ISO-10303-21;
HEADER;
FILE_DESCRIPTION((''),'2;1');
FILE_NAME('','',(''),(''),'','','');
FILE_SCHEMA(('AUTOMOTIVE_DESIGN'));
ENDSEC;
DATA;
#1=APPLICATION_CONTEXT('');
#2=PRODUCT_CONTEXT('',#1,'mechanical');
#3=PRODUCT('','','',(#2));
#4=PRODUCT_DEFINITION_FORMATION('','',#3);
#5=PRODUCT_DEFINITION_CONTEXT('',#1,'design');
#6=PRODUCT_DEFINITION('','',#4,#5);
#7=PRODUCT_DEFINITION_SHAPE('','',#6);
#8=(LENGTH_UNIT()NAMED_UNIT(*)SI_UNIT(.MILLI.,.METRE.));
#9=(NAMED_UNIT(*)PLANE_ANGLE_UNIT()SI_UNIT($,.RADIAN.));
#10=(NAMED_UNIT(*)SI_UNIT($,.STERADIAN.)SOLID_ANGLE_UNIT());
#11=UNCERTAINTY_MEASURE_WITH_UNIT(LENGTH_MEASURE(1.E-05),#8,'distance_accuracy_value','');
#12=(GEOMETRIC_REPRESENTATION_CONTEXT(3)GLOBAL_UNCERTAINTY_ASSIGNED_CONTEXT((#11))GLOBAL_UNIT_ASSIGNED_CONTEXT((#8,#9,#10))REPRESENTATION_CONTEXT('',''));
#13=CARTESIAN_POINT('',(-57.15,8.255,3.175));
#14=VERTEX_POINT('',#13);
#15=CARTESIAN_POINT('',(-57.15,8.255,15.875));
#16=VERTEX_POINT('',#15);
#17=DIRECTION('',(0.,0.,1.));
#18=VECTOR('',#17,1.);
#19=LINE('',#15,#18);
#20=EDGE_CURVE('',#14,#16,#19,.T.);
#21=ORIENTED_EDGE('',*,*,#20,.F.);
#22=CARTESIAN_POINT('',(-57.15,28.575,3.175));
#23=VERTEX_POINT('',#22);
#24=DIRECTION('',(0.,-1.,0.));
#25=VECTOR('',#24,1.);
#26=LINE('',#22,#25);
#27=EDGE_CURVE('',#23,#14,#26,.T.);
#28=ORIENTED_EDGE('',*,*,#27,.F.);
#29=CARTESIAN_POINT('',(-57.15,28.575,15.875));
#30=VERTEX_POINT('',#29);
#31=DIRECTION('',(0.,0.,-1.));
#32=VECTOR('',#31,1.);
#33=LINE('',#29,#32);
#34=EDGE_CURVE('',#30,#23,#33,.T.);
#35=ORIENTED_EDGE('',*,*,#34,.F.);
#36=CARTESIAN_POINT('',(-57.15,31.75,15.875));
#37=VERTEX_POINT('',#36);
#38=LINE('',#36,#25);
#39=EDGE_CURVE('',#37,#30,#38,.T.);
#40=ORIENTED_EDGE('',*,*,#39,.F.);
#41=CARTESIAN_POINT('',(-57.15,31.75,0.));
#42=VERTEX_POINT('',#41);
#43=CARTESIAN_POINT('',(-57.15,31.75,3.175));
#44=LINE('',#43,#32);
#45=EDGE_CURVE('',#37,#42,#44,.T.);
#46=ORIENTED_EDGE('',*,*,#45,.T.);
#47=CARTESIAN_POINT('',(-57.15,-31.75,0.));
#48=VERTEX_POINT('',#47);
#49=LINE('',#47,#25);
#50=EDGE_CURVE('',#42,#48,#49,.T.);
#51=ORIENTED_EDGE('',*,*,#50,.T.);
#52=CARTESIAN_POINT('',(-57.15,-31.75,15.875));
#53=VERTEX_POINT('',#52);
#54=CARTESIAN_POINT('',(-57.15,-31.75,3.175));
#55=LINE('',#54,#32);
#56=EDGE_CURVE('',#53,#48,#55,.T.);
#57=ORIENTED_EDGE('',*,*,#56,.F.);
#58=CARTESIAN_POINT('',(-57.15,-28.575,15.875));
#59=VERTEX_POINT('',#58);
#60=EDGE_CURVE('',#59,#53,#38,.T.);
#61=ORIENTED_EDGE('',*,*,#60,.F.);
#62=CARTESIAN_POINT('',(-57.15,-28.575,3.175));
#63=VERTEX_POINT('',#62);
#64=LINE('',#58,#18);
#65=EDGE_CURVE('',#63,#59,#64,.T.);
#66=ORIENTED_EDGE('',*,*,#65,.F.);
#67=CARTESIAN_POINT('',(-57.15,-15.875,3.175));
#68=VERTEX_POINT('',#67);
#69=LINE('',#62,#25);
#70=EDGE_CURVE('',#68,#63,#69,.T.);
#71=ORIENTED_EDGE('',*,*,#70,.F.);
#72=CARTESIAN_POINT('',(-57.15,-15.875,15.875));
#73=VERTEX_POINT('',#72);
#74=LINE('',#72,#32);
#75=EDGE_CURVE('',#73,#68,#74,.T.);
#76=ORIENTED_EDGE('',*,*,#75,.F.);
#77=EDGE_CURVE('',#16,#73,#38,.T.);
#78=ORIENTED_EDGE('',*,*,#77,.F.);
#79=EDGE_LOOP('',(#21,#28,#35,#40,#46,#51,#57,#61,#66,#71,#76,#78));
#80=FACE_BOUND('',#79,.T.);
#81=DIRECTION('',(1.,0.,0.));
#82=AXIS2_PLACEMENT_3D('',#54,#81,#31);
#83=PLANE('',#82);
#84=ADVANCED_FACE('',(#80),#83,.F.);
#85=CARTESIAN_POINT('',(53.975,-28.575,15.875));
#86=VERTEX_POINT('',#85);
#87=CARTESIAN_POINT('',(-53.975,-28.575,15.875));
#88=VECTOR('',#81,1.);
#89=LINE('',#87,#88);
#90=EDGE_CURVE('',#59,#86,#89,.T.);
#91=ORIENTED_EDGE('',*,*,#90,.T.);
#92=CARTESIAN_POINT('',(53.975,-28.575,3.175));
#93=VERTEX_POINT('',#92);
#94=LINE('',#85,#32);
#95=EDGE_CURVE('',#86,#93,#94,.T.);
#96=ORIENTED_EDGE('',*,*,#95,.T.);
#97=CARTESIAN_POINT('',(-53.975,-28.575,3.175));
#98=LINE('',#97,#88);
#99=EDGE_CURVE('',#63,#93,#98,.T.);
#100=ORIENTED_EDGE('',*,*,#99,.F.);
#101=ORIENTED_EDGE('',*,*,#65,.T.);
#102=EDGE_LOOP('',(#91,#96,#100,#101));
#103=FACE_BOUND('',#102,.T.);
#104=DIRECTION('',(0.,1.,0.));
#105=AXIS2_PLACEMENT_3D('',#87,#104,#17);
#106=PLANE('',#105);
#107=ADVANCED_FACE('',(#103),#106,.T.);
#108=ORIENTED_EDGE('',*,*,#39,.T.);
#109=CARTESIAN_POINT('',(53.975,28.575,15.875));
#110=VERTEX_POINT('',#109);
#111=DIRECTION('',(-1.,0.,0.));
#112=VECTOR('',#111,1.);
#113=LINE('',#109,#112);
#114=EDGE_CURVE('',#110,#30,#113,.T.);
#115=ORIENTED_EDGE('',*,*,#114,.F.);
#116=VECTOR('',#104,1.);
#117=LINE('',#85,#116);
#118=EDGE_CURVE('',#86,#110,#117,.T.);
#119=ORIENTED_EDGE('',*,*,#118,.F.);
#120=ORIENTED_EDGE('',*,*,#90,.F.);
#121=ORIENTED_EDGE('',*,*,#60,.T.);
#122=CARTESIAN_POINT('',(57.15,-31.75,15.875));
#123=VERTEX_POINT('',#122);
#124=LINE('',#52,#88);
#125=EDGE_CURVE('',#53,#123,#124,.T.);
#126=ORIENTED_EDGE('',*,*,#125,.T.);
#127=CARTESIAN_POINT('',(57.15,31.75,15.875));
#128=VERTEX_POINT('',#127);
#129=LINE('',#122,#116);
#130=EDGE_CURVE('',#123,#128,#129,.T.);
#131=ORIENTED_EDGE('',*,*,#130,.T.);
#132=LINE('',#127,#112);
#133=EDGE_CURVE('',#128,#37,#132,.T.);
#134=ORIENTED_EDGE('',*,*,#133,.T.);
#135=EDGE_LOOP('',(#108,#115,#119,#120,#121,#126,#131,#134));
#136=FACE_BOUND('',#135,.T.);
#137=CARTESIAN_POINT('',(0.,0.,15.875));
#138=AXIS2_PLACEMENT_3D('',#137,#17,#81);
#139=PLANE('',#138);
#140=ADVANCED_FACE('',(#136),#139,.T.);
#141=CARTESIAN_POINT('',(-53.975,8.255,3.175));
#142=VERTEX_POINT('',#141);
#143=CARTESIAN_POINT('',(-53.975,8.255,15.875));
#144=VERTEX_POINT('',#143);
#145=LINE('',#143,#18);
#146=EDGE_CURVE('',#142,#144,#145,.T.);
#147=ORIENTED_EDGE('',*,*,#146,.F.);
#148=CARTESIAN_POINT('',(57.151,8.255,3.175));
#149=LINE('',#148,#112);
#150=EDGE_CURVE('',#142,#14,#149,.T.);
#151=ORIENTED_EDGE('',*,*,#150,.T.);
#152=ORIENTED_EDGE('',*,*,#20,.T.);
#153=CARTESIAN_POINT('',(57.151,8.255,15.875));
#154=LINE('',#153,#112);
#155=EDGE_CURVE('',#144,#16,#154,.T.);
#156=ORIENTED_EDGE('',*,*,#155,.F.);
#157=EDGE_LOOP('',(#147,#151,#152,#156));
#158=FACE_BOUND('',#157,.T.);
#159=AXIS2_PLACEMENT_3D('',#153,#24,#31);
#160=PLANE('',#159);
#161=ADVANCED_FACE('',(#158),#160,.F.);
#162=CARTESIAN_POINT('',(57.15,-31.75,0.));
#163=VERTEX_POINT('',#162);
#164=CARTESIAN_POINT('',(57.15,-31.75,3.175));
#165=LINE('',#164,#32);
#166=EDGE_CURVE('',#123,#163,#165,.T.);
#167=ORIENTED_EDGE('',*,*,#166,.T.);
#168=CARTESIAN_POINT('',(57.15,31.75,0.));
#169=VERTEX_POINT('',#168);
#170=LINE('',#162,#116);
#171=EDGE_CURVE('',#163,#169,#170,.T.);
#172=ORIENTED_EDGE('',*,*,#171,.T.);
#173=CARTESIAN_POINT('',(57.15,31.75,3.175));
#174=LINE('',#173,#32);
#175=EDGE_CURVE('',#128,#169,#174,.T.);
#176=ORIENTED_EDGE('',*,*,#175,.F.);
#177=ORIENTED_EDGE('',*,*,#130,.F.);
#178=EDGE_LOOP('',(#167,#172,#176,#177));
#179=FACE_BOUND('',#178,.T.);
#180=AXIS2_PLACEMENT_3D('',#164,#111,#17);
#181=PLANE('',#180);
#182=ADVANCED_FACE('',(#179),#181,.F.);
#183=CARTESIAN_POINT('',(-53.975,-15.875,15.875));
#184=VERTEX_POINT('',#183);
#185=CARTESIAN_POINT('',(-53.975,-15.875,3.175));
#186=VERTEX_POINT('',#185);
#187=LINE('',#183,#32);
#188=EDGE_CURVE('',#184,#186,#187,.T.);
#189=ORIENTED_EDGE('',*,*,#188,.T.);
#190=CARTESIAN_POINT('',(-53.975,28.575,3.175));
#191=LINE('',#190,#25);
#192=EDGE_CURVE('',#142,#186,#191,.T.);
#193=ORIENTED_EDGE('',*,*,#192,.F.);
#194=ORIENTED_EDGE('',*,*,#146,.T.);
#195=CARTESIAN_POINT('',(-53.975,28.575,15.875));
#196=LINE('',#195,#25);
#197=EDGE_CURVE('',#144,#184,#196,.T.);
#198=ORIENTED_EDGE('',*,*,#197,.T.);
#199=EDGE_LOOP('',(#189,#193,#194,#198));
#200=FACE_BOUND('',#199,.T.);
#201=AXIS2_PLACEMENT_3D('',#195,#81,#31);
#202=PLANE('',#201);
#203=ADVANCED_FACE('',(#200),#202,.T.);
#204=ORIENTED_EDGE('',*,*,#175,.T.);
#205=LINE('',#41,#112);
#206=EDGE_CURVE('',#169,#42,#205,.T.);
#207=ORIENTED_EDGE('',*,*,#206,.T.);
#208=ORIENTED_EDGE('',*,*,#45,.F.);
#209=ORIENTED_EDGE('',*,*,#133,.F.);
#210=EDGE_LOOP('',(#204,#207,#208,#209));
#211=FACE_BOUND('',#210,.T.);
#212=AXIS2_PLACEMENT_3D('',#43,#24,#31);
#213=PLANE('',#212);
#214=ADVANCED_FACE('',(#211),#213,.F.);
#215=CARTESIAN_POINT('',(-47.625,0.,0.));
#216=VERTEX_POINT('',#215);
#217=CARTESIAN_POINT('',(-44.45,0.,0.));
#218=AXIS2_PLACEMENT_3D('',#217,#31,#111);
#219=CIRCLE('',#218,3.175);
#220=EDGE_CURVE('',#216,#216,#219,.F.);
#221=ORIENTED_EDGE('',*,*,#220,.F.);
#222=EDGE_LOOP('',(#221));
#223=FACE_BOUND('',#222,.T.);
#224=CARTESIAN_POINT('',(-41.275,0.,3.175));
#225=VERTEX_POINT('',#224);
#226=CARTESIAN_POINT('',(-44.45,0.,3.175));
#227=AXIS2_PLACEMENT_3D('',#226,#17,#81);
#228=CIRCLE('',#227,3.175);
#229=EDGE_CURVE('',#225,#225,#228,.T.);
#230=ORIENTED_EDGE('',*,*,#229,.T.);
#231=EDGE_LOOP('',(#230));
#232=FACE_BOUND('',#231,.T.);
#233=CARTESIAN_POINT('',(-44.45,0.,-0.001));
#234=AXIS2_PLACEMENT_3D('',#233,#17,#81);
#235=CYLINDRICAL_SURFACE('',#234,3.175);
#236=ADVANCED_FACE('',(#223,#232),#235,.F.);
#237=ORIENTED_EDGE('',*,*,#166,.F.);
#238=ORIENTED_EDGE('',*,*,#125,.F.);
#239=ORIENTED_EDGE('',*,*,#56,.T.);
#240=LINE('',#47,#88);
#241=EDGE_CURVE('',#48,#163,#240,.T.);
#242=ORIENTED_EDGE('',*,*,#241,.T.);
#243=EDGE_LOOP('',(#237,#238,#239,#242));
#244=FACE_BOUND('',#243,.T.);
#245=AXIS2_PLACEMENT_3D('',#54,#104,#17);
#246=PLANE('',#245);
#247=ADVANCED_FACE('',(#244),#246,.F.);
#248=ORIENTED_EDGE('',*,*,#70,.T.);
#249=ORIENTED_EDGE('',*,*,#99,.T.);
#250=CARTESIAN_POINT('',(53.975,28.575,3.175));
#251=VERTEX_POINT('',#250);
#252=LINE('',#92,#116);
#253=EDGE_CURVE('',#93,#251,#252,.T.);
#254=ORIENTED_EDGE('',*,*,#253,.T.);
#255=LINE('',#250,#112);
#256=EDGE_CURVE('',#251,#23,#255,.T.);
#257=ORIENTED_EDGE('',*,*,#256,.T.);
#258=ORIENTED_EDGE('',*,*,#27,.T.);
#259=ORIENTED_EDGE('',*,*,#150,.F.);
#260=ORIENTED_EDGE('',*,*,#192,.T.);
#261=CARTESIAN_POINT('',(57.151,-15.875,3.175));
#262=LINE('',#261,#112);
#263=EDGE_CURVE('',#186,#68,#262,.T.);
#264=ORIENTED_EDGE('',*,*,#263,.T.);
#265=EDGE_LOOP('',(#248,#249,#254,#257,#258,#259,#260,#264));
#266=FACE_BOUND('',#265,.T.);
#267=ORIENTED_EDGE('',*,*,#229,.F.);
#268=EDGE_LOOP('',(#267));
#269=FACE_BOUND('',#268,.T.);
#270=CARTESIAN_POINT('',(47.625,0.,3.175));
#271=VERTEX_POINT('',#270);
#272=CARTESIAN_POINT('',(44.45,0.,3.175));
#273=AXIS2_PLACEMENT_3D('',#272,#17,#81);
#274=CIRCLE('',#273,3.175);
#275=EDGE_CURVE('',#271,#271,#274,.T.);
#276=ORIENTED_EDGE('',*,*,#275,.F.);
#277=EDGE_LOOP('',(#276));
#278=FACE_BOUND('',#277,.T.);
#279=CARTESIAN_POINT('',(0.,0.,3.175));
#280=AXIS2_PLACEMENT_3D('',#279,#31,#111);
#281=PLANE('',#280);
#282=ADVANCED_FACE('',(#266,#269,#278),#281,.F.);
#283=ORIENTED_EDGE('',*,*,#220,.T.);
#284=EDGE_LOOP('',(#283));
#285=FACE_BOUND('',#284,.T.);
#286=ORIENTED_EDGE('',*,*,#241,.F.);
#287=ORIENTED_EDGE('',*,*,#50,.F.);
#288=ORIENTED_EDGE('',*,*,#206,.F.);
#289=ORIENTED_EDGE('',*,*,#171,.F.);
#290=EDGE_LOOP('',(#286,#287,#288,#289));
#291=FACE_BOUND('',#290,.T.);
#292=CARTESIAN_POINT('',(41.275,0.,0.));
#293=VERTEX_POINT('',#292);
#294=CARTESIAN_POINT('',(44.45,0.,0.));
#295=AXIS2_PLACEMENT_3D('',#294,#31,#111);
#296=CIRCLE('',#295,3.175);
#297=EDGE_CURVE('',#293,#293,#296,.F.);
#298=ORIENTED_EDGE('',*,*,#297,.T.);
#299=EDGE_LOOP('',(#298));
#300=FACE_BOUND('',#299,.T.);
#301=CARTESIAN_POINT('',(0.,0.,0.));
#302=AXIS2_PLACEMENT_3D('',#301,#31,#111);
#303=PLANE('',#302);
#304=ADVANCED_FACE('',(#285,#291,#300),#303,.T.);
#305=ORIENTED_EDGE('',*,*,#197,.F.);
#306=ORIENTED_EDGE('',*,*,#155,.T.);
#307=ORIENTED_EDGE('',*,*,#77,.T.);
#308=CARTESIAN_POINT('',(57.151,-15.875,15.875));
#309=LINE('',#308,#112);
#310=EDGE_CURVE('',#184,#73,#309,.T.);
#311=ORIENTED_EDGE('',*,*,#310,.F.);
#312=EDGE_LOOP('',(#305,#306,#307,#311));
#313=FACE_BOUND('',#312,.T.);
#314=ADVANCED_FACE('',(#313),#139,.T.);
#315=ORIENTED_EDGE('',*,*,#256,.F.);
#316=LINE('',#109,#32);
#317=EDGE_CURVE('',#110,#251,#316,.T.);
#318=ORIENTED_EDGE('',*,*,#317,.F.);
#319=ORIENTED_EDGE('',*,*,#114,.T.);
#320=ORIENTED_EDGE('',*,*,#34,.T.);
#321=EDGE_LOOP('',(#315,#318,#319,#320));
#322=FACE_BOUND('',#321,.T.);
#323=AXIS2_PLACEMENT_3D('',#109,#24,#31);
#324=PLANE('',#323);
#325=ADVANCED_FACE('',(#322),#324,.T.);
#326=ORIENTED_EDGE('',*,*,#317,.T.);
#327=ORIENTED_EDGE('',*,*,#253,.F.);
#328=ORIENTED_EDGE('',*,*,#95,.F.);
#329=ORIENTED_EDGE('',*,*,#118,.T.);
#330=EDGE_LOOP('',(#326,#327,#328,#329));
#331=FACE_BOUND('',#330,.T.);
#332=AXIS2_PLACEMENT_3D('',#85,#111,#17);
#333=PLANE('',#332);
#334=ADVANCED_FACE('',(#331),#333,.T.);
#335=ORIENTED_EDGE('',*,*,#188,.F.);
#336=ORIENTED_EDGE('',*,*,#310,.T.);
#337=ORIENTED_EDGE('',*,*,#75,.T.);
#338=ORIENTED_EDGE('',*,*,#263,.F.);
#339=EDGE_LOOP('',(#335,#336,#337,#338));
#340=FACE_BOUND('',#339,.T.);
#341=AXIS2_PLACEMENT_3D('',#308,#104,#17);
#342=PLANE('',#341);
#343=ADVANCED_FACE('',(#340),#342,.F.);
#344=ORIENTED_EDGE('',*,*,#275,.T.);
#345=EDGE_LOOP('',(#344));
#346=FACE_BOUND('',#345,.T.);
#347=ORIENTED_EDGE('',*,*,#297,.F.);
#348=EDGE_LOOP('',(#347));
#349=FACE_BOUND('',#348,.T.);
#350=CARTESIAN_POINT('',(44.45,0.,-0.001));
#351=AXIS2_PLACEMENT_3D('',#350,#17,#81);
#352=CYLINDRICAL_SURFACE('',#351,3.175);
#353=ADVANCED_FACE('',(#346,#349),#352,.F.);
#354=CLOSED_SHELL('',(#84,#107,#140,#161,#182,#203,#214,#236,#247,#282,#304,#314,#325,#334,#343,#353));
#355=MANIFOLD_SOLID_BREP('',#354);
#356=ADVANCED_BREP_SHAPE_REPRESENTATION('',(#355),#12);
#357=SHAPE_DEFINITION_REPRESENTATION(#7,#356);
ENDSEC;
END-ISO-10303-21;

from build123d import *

# Parameters (mm, degrees)
SKETCH1_W           = 114.3
SKETCH1_H           = 63.5
BOSS_EXTRUDE1_DEPTH = 3.175
SKETCH2_W           = 114.3
SKETCH2_H           = 63.5
SKETCH2_W_2         = 107.95
SKETCH2_H_2         = 57.15
BOSS_EXTRUDE2_DEPTH = 12.7
CUT_EXTRUDE1_REACH  = 121.685
SKETCH3_W           = 12.7
SKETCH3_H           = 12.7
SKETCH3_H_2         = 20.32
CUT_EXTRUDE2_REACH  = 68.599
SKETCH4_R           = 3.175


with BuildPart() as part:
    # Sketch1 → Boss-Extrude1 (new body)
    with BuildSketch(Plane.XY):
        Rectangle(SKETCH1_W, SKETCH1_H)
    extrude(amount=BOSS_EXTRUDE1_DEPTH)

    # Sketch2 → Boss-Extrude2 (add)
    with BuildSketch(Plane.XY.offset(3.175)):
        Rectangle(SKETCH2_W, SKETCH2_H)
        Rectangle(SKETCH2_W_2, SKETCH2_H_2, mode=Mode.SUBTRACT)
    extrude(amount=BOSS_EXTRUDE2_DEPTH)

    # Sketch3 → Cut-Extrude1 (cut, up to next)
    with BuildSketch(Plane.ZY.offset(57.15), mode=Mode.PRIVATE) as cut_extrude1_sk1:
        with Locations((9.525, -22.225)):
            Rectangle(SKETCH3_W, SKETCH3_H)
    cut_extrude1_tool1 = extrude(cut_extrude1_sk1.sketch, amount=-CUT_EXTRUDE1_REACH, mode=Mode.PRIVATE) & part.part
    # Sketch3 → Cut-Extrude1 (cut, up to next)
    with BuildSketch(Plane.ZY.offset(57.15), mode=Mode.PRIVATE) as cut_extrude1_sk2:
        with Locations((9.525, 18.415)):
            Rectangle(SKETCH3_W, SKETCH3_H_2)
    cut_extrude1_tool2 = extrude(cut_extrude1_sk2.sketch, amount=-CUT_EXTRUDE1_REACH, mode=Mode.PRIVATE) & part.part
    add(cut_extrude1_tool1.solids().sort_by_distance((-57.15, -22.225, 9.525))[0], mode=Mode.SUBTRACT)
    add(cut_extrude1_tool2.solids().sort_by_distance((-57.15, 18.415, 9.525))[0], mode=Mode.SUBTRACT)

    # Sketch4 → Cut-Extrude2 (cut, up to next)
    with BuildSketch(Plane.XY.offset(3.175), mode=Mode.PRIVATE) as cut_extrude2_sk1:
        with Locations((-44.45, 0)):
            Circle(SKETCH4_R)
    cut_extrude2_tool1 = extrude(cut_extrude2_sk1.sketch, amount=-CUT_EXTRUDE2_REACH, mode=Mode.PRIVATE) & part.part
    # Sketch4 → Cut-Extrude2 (cut, up to next)
    with BuildSketch(Plane.XY.offset(3.175), mode=Mode.PRIVATE) as cut_extrude2_sk2:
        with Locations((44.45, 0)):
            Circle(SKETCH4_R)
    cut_extrude2_tool2 = extrude(cut_extrude2_sk2.sketch, amount=-CUT_EXTRUDE2_REACH, mode=Mode.PRIVATE) & part.part
    add(cut_extrude2_tool1.solids().sort_by_distance((-44.45, 0, 3.175))[0], mode=Mode.SUBTRACT)
    add(cut_extrude2_tool2.solids().sort_by_distance((44.45, 0, 3.175))[0], mode=Mode.SUBTRACT)


solid = part.part
